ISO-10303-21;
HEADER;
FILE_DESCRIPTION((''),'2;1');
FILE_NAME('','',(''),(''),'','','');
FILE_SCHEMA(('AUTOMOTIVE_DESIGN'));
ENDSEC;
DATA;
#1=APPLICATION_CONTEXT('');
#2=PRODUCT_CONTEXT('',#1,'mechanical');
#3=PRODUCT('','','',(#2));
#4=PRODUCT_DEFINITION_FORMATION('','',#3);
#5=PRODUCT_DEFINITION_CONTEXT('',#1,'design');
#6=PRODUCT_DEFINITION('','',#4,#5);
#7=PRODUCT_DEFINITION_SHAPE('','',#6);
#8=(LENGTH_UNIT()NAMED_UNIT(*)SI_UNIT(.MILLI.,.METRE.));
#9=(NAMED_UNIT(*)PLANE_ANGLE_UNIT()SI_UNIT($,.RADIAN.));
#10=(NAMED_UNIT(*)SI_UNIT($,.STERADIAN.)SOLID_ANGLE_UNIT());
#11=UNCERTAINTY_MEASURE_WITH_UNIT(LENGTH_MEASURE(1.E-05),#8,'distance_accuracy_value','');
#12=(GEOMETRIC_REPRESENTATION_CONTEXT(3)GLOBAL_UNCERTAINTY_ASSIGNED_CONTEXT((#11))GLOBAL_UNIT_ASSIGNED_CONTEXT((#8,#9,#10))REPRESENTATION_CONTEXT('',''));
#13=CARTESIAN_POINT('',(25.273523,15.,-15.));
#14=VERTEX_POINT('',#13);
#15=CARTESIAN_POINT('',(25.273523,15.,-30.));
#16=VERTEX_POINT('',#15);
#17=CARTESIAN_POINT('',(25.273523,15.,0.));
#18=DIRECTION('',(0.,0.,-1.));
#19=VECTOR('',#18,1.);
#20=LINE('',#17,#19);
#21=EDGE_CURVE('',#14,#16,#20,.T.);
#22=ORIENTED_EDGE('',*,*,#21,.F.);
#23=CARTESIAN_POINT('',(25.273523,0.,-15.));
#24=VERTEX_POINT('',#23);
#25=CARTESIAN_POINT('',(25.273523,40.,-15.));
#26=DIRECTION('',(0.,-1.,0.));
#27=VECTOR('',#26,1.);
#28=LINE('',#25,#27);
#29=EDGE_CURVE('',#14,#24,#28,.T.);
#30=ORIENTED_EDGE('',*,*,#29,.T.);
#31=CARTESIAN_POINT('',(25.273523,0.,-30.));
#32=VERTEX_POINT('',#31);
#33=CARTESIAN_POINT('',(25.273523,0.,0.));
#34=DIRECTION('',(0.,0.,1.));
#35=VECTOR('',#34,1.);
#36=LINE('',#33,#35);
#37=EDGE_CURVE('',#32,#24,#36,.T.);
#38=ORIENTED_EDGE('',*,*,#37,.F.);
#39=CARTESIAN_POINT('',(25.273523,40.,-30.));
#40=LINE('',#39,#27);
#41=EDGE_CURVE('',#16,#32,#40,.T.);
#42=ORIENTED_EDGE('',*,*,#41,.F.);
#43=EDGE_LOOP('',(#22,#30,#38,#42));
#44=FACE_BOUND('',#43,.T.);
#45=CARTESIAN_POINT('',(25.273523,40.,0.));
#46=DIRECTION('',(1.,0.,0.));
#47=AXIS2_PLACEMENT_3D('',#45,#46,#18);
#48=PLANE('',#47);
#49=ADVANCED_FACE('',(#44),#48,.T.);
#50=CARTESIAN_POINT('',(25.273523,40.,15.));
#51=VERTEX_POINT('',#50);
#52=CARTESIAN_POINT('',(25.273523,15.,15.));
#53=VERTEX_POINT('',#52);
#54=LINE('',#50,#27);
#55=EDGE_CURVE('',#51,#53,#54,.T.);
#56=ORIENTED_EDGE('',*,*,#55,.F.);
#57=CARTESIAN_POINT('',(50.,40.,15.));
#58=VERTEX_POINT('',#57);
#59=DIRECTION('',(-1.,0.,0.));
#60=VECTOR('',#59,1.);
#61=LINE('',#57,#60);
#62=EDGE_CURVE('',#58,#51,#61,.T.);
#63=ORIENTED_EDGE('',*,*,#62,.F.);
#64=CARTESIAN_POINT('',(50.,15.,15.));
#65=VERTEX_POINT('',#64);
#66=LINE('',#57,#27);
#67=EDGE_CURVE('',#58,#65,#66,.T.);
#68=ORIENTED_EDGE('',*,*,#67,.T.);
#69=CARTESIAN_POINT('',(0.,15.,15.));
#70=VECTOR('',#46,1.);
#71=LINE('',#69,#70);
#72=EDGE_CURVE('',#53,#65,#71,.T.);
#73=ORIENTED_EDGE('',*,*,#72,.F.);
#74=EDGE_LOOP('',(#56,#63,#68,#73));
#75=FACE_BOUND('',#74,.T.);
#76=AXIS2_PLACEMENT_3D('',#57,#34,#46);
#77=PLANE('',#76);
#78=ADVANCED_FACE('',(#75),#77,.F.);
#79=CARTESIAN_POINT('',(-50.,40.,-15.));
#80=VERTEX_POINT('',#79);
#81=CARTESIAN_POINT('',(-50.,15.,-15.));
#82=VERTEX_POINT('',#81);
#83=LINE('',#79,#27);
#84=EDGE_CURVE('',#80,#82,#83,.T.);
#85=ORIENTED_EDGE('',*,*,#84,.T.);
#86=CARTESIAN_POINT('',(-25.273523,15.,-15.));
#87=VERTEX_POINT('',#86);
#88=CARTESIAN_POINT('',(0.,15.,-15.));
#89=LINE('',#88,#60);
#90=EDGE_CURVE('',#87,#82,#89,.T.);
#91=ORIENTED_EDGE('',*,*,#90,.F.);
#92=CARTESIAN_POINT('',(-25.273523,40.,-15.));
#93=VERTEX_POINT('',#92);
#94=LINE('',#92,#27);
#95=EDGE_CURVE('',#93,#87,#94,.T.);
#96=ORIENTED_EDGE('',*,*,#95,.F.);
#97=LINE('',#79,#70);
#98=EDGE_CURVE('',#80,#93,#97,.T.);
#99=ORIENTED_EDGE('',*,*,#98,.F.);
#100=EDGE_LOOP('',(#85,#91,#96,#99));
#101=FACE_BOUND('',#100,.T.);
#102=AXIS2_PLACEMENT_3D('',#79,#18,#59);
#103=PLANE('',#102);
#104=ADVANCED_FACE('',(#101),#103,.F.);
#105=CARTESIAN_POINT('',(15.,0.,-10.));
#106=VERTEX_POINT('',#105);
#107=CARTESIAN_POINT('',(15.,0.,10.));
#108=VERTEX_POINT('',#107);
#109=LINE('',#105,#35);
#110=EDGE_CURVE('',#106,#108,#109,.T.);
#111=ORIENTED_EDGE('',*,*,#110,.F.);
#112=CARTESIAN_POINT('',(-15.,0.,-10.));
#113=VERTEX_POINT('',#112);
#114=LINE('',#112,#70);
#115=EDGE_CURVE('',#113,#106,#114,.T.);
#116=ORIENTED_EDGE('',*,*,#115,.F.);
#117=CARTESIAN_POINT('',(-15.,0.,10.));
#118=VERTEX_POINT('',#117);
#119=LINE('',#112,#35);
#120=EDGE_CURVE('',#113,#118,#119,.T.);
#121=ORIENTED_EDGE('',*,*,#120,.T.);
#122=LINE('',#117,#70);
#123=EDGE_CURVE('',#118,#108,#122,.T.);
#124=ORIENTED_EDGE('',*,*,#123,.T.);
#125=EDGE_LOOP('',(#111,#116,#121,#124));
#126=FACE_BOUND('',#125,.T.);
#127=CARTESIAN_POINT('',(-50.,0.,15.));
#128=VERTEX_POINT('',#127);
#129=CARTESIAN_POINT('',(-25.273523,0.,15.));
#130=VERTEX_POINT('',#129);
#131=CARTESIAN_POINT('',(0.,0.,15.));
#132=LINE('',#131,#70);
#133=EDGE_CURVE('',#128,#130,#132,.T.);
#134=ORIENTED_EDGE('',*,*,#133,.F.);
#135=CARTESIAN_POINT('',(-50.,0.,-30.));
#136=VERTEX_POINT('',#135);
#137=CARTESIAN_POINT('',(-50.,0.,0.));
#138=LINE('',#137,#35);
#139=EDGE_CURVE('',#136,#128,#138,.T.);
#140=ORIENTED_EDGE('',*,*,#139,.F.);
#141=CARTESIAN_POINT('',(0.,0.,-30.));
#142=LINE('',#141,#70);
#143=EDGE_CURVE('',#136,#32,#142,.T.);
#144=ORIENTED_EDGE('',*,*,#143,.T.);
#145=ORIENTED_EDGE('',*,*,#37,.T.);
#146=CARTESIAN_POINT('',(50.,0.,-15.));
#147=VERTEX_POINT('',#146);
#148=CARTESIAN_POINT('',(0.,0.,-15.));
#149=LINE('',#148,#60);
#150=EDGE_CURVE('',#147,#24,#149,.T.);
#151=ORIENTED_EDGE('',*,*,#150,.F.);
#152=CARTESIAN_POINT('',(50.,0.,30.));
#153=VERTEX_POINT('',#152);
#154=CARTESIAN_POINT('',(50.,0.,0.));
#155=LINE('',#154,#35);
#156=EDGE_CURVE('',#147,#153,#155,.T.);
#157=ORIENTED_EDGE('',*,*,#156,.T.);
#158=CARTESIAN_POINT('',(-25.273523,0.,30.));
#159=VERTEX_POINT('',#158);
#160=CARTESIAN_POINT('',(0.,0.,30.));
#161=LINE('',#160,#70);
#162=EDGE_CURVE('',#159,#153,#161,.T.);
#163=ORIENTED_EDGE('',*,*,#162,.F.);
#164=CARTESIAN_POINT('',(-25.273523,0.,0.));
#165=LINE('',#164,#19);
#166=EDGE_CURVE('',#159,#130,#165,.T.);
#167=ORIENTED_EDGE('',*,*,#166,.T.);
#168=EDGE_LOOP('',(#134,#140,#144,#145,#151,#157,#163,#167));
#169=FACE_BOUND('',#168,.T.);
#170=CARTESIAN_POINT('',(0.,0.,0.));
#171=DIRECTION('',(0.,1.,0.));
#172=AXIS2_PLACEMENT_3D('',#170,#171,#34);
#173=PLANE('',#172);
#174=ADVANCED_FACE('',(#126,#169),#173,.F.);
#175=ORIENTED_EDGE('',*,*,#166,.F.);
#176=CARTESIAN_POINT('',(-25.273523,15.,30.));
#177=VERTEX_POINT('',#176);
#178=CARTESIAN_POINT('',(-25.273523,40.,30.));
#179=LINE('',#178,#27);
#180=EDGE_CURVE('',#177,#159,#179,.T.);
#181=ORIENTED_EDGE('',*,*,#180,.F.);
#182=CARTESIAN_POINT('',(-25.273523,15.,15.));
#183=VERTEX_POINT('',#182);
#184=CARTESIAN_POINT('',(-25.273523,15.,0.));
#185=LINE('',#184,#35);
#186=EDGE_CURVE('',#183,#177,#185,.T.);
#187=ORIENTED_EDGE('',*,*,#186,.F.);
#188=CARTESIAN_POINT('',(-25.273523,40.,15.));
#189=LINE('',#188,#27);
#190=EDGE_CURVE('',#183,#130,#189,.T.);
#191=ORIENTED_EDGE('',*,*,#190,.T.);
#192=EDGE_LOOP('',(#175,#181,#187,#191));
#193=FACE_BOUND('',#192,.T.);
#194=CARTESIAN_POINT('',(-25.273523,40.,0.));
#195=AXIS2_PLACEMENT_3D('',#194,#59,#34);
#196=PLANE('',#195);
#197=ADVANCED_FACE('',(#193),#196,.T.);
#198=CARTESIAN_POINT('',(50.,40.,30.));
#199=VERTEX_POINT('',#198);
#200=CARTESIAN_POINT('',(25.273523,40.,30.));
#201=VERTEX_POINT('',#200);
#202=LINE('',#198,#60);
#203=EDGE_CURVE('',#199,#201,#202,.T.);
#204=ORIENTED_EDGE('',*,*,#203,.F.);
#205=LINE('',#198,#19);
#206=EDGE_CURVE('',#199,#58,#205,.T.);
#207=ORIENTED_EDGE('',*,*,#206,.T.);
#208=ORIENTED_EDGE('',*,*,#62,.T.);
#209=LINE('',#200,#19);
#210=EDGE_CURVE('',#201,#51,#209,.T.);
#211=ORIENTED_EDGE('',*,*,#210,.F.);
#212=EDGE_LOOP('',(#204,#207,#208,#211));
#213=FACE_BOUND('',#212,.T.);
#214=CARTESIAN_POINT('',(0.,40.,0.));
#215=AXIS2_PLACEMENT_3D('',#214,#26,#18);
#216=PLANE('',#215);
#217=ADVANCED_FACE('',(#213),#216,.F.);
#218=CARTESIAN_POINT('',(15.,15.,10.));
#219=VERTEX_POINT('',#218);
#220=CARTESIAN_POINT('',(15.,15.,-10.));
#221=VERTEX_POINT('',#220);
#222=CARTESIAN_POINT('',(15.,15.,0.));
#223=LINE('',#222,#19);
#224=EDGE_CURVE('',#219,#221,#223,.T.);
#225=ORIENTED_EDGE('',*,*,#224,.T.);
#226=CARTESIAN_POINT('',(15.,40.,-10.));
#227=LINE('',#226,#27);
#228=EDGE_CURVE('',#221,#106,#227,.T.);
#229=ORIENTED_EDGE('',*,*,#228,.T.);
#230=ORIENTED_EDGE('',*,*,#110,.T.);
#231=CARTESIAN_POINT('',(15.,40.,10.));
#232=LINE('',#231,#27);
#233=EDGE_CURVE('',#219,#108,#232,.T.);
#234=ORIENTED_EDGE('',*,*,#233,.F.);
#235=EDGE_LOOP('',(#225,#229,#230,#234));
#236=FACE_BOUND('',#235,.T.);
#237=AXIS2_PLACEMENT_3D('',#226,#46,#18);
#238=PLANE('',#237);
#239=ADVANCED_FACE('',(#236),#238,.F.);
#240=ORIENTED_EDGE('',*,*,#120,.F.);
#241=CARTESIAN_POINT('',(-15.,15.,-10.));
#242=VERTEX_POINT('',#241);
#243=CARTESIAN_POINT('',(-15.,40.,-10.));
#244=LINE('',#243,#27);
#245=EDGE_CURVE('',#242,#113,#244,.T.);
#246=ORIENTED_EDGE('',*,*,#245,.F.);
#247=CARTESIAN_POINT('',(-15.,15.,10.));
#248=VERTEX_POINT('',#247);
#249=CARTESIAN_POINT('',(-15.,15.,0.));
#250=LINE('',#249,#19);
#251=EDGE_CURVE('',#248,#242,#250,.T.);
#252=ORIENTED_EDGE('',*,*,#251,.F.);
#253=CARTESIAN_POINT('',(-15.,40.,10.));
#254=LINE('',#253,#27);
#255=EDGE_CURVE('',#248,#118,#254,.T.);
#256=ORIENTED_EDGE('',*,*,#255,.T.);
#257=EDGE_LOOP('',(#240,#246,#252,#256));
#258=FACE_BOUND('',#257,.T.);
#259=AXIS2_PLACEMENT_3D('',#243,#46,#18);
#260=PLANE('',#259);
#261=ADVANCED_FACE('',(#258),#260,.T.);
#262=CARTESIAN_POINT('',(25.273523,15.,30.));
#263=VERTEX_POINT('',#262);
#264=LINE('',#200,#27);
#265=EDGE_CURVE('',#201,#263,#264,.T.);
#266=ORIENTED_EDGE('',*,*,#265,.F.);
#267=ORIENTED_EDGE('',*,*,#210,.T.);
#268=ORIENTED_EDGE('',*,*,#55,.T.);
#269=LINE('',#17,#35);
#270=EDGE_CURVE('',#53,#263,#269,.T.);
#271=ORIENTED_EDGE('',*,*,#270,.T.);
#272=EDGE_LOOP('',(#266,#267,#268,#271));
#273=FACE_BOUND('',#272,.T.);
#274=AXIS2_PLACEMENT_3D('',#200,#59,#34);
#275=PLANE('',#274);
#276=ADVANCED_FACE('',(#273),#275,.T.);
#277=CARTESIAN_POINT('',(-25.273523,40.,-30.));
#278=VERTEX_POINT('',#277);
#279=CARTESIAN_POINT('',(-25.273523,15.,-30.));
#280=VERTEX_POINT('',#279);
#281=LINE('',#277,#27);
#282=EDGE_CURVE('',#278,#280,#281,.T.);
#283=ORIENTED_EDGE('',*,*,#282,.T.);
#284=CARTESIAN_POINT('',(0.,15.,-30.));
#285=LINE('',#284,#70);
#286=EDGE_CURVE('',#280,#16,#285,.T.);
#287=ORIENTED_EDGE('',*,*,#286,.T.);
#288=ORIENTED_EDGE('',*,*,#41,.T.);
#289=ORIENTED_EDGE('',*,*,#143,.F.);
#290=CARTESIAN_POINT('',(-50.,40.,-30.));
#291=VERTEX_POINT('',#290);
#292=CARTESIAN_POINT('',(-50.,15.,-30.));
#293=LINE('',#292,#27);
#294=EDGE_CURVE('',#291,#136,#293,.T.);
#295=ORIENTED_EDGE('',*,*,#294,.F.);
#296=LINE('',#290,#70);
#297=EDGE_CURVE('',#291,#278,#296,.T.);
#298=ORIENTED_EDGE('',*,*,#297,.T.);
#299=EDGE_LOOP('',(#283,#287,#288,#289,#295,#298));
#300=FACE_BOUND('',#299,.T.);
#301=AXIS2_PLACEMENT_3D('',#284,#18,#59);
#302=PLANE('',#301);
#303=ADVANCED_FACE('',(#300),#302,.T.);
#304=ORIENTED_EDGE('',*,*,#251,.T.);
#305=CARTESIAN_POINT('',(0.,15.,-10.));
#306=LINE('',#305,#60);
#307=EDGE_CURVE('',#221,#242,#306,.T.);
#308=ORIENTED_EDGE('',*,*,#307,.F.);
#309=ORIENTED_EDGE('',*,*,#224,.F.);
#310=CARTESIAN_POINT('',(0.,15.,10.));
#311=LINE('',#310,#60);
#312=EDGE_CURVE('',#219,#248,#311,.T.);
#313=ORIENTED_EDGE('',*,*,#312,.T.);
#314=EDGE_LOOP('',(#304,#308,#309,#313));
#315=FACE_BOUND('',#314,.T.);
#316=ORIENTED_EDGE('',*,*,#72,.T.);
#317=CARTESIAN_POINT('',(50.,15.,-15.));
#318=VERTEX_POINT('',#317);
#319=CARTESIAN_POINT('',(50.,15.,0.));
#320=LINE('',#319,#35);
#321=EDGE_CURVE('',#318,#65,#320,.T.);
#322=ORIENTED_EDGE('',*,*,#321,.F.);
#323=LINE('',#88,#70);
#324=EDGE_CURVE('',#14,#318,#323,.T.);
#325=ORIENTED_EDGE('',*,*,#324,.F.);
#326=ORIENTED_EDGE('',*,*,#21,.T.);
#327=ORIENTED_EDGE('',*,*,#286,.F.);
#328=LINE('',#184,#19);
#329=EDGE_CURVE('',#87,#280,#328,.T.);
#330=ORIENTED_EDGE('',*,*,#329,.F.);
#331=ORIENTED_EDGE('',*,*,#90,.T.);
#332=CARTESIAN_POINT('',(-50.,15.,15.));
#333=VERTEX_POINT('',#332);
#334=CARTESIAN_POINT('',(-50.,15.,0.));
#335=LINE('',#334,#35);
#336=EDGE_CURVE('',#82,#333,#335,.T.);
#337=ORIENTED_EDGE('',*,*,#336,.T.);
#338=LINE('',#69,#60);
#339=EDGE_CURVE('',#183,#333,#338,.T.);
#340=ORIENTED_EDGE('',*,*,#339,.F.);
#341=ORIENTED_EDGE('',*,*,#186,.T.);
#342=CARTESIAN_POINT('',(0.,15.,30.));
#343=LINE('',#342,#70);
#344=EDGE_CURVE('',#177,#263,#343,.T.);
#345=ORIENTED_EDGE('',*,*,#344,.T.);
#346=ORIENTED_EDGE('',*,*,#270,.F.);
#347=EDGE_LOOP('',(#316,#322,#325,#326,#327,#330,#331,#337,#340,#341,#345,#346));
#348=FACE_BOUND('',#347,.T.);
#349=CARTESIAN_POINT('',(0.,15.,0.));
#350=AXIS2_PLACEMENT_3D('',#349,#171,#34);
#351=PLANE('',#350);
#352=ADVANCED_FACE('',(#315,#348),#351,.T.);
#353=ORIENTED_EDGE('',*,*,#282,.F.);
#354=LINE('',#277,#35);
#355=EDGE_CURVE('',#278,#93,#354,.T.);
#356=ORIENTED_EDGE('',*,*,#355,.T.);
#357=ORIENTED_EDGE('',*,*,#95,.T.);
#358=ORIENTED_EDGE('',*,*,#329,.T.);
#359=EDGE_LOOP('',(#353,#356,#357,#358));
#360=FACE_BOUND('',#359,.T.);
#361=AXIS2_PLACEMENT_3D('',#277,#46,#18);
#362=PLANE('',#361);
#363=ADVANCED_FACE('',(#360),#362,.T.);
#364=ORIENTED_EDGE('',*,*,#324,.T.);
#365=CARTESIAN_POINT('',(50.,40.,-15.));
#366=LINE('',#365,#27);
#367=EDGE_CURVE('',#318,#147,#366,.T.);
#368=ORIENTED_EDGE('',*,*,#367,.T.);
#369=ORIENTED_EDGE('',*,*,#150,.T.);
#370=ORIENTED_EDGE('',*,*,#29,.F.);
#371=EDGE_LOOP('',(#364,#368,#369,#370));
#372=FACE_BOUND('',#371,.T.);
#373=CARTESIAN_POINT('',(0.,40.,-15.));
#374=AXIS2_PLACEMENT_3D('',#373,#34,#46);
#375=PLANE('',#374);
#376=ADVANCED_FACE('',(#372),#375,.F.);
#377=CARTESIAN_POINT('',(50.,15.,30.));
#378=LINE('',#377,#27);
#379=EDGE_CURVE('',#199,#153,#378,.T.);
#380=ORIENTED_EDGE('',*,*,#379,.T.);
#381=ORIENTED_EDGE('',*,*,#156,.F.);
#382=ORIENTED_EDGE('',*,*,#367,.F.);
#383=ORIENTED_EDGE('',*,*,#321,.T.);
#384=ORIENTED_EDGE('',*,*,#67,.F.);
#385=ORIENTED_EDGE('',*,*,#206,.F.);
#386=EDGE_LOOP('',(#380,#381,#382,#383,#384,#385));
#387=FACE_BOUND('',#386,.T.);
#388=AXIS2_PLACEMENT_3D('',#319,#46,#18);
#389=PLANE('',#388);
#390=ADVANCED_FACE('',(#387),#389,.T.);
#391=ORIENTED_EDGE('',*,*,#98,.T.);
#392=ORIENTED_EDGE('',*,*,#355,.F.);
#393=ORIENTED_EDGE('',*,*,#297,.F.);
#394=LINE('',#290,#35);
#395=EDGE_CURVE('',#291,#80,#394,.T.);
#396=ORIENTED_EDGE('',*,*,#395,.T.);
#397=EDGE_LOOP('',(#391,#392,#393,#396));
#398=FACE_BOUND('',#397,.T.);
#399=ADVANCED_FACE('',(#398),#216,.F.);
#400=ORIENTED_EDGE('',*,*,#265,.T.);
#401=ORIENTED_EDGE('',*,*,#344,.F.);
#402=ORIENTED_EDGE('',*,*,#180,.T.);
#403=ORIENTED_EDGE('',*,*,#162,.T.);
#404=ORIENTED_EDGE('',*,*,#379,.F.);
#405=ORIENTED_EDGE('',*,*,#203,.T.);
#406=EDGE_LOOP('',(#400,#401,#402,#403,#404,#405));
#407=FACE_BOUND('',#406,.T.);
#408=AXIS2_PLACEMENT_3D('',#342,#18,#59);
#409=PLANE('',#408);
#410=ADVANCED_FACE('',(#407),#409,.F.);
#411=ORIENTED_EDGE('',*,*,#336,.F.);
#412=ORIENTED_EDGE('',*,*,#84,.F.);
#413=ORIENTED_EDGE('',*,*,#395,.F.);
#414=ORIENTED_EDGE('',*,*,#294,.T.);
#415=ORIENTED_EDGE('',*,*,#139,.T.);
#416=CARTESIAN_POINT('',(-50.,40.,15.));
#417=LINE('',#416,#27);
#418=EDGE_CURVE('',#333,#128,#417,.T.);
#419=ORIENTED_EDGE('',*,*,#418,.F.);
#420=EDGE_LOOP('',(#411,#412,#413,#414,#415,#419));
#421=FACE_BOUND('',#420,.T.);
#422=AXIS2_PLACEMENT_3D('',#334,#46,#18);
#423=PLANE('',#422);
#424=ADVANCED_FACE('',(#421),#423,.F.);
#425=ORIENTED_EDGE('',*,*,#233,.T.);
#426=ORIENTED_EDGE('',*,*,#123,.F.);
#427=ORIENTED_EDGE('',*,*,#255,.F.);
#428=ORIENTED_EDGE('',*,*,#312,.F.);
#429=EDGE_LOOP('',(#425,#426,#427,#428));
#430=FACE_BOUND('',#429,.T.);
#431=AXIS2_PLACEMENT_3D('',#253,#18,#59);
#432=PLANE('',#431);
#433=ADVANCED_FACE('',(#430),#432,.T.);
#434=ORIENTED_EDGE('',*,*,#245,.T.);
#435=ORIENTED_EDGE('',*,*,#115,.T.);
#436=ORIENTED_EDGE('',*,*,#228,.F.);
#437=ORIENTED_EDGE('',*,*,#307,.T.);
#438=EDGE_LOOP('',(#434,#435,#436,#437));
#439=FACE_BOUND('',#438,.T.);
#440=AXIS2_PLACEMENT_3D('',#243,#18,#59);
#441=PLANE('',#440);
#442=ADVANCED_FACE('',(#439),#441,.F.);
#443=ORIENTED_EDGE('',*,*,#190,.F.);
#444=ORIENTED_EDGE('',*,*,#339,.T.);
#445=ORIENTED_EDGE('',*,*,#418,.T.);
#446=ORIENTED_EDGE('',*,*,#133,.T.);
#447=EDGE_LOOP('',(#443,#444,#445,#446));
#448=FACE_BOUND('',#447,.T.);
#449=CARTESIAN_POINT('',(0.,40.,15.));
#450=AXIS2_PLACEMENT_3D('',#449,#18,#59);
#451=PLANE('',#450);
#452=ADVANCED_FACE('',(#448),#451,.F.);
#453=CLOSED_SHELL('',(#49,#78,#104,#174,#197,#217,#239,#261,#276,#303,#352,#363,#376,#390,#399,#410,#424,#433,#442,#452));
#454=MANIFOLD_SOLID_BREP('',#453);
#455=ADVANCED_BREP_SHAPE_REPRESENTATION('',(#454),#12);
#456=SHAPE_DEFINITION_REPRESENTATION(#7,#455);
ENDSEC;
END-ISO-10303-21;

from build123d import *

# Parameters (mm, degrees)
SKETCH1_W           = 100
SKETCH1_H           = 60
BOSS_EXTRUDE1_DEPTH = 15
SKETCH1_4_W         = 24.726477024
SKETCH1_4_H         = 15
BOSS_EXTRUDE2_DEPTH = 40
SKETCH1_5_W         = 24.726477024
SKETCH1_5_H         = 15
CUT_EXTRUDE1_DEPTH  = 40
SKETCH1_6_W         = 30
SKETCH1_6_H         = 20
CUT_EXTRUDE2_DEPTH  = 40


with BuildPart() as part:
    # Sketch1 → Boss-Extrude1 (new body)
    with BuildSketch(Plane(origin=(0, 0, 0), x_dir=(1, 0, 0), z_dir=(0, 1, 0))):
        Rectangle(SKETCH1_W, SKETCH1_H)
    extrude(amount=BOSS_EXTRUDE1_DEPTH)

    # Sketch1<4> → Boss-Extrude2 (add)
    with BuildSketch(Plane(origin=(0, 0, 0), x_dir=(1, 0, 0), z_dir=(0, 1, 0))):
        with Locations((-37.636761488, 22.5)):
            Rectangle(SKETCH1_4_W, SKETCH1_4_H)
        with Locations((37.636761488, -22.5)):
            Rectangle(SKETCH1_4_W, SKETCH1_4_H)
    extrude(amount=BOSS_EXTRUDE2_DEPTH)

    # Sketch1<5> → Cut-Extrude1 (cut)
    with BuildSketch(Plane(origin=(0, 0, 0), x_dir=(1, 0, 0), z_dir=(0, 1, 0))):
        with Locations((37.636761488, 22.5)):
            Rectangle(SKETCH1_5_W, SKETCH1_5_H)
        with Locations((-37.636761488, -22.5)):
            Rectangle(SKETCH1_5_W, SKETCH1_5_H)
    extrude(amount=CUT_EXTRUDE1_DEPTH, mode=Mode.SUBTRACT)

    # Sketch1<6> → Cut-Extrude2 (cut)
    with BuildSketch(Plane(origin=(0, 0, 0), x_dir=(1, 0, 0), z_dir=(0, 1, 0))):
        Rectangle(SKETCH1_6_W, SKETCH1_6_H)
    extrude(amount=CUT_EXTRUDE2_DEPTH, mode=Mode.SUBTRACT)


solid = part.part
